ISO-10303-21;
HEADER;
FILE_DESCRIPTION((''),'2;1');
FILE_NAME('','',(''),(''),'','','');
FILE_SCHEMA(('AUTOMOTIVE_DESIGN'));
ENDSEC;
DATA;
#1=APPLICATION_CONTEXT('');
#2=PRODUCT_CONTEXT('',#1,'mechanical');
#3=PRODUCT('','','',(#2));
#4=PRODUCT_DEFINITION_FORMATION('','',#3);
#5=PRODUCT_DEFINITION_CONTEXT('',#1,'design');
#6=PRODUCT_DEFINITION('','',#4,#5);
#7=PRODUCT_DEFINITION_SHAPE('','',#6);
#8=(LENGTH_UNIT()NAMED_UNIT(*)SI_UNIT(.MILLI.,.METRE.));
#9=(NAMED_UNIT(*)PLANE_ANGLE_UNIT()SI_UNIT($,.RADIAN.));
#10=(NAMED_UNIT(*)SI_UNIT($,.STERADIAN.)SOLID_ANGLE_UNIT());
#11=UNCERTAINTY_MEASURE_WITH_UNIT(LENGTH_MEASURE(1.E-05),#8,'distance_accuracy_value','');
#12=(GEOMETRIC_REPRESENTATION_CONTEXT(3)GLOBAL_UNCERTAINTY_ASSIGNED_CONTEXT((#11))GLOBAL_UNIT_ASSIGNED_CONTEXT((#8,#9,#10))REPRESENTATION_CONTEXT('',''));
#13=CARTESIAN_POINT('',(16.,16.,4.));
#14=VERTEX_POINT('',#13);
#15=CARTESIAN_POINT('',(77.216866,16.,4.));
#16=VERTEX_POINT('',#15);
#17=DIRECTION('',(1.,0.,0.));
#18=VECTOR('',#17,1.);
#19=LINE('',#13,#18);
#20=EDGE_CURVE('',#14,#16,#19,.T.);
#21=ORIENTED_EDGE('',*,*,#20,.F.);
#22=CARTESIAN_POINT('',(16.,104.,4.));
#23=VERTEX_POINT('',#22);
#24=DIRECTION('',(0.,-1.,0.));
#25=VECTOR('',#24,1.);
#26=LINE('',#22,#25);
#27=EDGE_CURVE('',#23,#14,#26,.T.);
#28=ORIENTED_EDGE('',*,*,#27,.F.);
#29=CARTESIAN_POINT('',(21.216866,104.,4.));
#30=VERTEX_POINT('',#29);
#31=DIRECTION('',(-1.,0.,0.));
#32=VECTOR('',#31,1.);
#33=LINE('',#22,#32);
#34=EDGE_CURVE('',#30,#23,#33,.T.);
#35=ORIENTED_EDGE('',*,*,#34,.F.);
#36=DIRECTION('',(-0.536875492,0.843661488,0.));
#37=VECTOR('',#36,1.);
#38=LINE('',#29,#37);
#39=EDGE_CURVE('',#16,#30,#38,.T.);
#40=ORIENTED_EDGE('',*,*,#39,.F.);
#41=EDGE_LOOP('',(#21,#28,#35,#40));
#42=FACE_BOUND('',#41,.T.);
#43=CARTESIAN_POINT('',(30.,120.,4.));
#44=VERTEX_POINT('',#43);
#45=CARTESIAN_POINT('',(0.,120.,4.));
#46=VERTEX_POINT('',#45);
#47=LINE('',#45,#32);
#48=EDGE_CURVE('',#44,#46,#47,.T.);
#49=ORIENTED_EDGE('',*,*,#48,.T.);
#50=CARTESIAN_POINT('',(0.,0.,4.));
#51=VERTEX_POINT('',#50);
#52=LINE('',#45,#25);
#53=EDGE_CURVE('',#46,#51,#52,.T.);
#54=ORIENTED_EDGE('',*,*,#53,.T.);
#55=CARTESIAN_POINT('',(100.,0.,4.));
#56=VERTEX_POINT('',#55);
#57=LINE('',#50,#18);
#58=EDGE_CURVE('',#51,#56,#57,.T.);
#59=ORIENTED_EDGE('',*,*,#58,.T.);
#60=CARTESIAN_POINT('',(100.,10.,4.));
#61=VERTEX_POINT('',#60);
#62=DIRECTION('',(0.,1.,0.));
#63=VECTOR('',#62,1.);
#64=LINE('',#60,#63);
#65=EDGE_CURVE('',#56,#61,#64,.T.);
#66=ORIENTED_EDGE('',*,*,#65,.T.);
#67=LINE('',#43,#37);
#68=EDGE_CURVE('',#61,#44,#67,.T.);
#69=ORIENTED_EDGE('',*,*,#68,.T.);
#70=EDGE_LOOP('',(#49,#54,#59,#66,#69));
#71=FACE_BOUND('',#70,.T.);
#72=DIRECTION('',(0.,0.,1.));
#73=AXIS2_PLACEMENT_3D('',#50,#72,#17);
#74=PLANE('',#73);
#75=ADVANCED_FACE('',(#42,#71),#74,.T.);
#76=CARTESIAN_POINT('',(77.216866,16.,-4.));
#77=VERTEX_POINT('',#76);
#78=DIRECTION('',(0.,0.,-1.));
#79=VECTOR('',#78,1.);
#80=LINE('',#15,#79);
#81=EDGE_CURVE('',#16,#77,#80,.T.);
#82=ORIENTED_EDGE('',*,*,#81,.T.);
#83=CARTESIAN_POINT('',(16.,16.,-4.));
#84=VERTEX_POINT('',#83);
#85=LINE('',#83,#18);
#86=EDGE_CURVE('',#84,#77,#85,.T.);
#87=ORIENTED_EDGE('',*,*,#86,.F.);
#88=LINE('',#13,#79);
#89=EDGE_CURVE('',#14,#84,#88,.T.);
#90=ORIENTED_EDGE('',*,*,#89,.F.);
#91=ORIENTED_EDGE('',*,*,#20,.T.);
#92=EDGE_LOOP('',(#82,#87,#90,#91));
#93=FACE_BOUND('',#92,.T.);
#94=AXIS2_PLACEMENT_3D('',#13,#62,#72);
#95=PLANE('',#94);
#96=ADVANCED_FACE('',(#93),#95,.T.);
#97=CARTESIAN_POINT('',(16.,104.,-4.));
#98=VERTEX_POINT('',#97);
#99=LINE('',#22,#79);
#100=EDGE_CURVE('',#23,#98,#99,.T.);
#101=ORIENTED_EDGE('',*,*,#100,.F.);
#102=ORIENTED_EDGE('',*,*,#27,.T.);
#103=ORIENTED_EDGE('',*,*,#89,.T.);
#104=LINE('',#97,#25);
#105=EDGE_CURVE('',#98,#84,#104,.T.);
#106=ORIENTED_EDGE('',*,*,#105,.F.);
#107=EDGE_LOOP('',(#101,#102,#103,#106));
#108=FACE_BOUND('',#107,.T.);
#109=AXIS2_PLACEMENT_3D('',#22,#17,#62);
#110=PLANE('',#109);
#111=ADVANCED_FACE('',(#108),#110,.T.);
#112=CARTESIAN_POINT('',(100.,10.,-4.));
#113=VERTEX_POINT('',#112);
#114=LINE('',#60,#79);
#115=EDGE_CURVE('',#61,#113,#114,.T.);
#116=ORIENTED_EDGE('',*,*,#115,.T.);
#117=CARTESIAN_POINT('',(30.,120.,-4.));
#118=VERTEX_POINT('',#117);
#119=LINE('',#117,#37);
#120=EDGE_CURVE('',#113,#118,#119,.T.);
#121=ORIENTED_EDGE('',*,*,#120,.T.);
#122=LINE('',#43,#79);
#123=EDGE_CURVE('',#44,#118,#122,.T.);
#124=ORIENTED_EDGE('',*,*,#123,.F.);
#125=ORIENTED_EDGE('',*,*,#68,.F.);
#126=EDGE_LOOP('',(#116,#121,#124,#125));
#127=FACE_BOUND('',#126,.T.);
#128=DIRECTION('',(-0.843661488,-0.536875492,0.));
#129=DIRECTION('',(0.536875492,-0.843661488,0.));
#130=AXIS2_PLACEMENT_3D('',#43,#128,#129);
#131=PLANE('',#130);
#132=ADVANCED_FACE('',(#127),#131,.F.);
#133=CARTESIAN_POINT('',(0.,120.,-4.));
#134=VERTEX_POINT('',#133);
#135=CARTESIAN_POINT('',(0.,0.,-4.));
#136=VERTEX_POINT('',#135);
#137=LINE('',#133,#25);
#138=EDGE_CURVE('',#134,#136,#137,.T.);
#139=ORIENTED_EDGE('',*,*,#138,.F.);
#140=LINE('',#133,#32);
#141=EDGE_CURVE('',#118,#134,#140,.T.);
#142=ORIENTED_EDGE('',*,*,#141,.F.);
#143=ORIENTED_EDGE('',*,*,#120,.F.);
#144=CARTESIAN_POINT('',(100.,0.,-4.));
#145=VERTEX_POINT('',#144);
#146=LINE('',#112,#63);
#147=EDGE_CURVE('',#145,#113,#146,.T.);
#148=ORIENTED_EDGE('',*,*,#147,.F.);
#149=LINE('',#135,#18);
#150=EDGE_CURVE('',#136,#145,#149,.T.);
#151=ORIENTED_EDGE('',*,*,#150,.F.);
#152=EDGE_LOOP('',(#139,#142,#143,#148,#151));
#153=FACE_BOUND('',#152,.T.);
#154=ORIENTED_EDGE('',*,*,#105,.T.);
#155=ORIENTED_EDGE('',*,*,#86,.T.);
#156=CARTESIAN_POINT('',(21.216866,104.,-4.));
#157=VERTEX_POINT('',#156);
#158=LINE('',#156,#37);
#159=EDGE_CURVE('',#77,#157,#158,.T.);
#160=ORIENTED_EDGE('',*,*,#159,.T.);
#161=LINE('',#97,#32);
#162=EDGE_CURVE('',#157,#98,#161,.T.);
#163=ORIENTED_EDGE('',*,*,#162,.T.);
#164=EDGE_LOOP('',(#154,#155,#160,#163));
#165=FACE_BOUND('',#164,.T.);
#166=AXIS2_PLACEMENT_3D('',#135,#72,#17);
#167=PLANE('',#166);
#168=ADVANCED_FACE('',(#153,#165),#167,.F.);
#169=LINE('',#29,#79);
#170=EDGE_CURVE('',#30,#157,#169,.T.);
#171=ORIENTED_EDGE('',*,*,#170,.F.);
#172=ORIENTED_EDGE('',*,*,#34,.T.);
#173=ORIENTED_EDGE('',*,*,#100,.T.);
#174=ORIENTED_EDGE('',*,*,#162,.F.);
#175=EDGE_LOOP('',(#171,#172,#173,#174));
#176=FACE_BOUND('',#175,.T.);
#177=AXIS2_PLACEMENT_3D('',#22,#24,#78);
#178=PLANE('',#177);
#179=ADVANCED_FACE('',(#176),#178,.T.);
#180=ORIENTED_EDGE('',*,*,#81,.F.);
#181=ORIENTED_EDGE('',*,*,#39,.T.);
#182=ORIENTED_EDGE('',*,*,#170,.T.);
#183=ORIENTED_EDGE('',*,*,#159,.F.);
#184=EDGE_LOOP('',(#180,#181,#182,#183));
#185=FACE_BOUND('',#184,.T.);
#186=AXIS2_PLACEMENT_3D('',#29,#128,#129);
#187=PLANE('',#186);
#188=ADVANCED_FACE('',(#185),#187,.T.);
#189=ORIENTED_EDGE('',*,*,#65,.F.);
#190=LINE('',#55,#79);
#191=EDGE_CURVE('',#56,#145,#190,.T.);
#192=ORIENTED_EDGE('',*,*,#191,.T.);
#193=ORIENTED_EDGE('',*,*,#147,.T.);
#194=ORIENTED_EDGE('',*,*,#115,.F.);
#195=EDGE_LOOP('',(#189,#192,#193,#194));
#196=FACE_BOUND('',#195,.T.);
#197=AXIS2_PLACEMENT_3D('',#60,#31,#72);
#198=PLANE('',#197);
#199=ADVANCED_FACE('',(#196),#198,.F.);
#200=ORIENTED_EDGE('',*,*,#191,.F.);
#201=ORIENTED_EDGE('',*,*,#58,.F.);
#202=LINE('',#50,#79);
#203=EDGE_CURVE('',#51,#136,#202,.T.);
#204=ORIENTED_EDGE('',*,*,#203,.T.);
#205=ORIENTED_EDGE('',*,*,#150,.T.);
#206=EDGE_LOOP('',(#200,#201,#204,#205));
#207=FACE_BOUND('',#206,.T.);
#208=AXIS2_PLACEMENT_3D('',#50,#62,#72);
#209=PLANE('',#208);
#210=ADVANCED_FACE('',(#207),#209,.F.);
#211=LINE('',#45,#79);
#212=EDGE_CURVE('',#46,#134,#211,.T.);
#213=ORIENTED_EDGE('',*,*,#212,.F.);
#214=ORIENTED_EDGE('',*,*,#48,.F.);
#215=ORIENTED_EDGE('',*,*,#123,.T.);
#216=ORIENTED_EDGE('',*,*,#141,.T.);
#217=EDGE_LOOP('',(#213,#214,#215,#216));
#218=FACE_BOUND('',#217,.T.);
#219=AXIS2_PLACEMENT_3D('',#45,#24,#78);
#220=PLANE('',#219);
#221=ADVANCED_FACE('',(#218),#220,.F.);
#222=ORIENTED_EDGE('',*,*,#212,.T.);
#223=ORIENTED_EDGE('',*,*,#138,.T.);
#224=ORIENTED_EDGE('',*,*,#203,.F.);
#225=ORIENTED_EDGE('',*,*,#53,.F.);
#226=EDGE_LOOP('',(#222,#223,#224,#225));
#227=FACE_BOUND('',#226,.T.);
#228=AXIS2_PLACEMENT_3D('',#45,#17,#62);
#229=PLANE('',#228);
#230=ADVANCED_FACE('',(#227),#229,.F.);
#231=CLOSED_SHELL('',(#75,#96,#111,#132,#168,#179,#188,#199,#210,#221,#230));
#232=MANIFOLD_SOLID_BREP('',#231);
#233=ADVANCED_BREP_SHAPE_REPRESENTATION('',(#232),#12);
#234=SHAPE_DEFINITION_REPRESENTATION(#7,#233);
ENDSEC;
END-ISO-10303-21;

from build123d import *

# Parameters (mm, degrees)
EXTRUDE_1_DEPTH = 4


with BuildPart() as part:
    # 草图1 → 凸台-拉伸1 (new, symmetric)
    with BuildSketch(Plane.XY):
        Polygon((0, 0), (100, 0), (100, 10), (30, 120), (0, 120), align=None)
        Polygon((16, 104), (21.21686573, 104), (77.21686573, 16), (16, 16), align=None, mode=Mode.SUBTRACT)
    extrude(amount=EXTRUDE_1_DEPTH, both=True)


solid = part.part
